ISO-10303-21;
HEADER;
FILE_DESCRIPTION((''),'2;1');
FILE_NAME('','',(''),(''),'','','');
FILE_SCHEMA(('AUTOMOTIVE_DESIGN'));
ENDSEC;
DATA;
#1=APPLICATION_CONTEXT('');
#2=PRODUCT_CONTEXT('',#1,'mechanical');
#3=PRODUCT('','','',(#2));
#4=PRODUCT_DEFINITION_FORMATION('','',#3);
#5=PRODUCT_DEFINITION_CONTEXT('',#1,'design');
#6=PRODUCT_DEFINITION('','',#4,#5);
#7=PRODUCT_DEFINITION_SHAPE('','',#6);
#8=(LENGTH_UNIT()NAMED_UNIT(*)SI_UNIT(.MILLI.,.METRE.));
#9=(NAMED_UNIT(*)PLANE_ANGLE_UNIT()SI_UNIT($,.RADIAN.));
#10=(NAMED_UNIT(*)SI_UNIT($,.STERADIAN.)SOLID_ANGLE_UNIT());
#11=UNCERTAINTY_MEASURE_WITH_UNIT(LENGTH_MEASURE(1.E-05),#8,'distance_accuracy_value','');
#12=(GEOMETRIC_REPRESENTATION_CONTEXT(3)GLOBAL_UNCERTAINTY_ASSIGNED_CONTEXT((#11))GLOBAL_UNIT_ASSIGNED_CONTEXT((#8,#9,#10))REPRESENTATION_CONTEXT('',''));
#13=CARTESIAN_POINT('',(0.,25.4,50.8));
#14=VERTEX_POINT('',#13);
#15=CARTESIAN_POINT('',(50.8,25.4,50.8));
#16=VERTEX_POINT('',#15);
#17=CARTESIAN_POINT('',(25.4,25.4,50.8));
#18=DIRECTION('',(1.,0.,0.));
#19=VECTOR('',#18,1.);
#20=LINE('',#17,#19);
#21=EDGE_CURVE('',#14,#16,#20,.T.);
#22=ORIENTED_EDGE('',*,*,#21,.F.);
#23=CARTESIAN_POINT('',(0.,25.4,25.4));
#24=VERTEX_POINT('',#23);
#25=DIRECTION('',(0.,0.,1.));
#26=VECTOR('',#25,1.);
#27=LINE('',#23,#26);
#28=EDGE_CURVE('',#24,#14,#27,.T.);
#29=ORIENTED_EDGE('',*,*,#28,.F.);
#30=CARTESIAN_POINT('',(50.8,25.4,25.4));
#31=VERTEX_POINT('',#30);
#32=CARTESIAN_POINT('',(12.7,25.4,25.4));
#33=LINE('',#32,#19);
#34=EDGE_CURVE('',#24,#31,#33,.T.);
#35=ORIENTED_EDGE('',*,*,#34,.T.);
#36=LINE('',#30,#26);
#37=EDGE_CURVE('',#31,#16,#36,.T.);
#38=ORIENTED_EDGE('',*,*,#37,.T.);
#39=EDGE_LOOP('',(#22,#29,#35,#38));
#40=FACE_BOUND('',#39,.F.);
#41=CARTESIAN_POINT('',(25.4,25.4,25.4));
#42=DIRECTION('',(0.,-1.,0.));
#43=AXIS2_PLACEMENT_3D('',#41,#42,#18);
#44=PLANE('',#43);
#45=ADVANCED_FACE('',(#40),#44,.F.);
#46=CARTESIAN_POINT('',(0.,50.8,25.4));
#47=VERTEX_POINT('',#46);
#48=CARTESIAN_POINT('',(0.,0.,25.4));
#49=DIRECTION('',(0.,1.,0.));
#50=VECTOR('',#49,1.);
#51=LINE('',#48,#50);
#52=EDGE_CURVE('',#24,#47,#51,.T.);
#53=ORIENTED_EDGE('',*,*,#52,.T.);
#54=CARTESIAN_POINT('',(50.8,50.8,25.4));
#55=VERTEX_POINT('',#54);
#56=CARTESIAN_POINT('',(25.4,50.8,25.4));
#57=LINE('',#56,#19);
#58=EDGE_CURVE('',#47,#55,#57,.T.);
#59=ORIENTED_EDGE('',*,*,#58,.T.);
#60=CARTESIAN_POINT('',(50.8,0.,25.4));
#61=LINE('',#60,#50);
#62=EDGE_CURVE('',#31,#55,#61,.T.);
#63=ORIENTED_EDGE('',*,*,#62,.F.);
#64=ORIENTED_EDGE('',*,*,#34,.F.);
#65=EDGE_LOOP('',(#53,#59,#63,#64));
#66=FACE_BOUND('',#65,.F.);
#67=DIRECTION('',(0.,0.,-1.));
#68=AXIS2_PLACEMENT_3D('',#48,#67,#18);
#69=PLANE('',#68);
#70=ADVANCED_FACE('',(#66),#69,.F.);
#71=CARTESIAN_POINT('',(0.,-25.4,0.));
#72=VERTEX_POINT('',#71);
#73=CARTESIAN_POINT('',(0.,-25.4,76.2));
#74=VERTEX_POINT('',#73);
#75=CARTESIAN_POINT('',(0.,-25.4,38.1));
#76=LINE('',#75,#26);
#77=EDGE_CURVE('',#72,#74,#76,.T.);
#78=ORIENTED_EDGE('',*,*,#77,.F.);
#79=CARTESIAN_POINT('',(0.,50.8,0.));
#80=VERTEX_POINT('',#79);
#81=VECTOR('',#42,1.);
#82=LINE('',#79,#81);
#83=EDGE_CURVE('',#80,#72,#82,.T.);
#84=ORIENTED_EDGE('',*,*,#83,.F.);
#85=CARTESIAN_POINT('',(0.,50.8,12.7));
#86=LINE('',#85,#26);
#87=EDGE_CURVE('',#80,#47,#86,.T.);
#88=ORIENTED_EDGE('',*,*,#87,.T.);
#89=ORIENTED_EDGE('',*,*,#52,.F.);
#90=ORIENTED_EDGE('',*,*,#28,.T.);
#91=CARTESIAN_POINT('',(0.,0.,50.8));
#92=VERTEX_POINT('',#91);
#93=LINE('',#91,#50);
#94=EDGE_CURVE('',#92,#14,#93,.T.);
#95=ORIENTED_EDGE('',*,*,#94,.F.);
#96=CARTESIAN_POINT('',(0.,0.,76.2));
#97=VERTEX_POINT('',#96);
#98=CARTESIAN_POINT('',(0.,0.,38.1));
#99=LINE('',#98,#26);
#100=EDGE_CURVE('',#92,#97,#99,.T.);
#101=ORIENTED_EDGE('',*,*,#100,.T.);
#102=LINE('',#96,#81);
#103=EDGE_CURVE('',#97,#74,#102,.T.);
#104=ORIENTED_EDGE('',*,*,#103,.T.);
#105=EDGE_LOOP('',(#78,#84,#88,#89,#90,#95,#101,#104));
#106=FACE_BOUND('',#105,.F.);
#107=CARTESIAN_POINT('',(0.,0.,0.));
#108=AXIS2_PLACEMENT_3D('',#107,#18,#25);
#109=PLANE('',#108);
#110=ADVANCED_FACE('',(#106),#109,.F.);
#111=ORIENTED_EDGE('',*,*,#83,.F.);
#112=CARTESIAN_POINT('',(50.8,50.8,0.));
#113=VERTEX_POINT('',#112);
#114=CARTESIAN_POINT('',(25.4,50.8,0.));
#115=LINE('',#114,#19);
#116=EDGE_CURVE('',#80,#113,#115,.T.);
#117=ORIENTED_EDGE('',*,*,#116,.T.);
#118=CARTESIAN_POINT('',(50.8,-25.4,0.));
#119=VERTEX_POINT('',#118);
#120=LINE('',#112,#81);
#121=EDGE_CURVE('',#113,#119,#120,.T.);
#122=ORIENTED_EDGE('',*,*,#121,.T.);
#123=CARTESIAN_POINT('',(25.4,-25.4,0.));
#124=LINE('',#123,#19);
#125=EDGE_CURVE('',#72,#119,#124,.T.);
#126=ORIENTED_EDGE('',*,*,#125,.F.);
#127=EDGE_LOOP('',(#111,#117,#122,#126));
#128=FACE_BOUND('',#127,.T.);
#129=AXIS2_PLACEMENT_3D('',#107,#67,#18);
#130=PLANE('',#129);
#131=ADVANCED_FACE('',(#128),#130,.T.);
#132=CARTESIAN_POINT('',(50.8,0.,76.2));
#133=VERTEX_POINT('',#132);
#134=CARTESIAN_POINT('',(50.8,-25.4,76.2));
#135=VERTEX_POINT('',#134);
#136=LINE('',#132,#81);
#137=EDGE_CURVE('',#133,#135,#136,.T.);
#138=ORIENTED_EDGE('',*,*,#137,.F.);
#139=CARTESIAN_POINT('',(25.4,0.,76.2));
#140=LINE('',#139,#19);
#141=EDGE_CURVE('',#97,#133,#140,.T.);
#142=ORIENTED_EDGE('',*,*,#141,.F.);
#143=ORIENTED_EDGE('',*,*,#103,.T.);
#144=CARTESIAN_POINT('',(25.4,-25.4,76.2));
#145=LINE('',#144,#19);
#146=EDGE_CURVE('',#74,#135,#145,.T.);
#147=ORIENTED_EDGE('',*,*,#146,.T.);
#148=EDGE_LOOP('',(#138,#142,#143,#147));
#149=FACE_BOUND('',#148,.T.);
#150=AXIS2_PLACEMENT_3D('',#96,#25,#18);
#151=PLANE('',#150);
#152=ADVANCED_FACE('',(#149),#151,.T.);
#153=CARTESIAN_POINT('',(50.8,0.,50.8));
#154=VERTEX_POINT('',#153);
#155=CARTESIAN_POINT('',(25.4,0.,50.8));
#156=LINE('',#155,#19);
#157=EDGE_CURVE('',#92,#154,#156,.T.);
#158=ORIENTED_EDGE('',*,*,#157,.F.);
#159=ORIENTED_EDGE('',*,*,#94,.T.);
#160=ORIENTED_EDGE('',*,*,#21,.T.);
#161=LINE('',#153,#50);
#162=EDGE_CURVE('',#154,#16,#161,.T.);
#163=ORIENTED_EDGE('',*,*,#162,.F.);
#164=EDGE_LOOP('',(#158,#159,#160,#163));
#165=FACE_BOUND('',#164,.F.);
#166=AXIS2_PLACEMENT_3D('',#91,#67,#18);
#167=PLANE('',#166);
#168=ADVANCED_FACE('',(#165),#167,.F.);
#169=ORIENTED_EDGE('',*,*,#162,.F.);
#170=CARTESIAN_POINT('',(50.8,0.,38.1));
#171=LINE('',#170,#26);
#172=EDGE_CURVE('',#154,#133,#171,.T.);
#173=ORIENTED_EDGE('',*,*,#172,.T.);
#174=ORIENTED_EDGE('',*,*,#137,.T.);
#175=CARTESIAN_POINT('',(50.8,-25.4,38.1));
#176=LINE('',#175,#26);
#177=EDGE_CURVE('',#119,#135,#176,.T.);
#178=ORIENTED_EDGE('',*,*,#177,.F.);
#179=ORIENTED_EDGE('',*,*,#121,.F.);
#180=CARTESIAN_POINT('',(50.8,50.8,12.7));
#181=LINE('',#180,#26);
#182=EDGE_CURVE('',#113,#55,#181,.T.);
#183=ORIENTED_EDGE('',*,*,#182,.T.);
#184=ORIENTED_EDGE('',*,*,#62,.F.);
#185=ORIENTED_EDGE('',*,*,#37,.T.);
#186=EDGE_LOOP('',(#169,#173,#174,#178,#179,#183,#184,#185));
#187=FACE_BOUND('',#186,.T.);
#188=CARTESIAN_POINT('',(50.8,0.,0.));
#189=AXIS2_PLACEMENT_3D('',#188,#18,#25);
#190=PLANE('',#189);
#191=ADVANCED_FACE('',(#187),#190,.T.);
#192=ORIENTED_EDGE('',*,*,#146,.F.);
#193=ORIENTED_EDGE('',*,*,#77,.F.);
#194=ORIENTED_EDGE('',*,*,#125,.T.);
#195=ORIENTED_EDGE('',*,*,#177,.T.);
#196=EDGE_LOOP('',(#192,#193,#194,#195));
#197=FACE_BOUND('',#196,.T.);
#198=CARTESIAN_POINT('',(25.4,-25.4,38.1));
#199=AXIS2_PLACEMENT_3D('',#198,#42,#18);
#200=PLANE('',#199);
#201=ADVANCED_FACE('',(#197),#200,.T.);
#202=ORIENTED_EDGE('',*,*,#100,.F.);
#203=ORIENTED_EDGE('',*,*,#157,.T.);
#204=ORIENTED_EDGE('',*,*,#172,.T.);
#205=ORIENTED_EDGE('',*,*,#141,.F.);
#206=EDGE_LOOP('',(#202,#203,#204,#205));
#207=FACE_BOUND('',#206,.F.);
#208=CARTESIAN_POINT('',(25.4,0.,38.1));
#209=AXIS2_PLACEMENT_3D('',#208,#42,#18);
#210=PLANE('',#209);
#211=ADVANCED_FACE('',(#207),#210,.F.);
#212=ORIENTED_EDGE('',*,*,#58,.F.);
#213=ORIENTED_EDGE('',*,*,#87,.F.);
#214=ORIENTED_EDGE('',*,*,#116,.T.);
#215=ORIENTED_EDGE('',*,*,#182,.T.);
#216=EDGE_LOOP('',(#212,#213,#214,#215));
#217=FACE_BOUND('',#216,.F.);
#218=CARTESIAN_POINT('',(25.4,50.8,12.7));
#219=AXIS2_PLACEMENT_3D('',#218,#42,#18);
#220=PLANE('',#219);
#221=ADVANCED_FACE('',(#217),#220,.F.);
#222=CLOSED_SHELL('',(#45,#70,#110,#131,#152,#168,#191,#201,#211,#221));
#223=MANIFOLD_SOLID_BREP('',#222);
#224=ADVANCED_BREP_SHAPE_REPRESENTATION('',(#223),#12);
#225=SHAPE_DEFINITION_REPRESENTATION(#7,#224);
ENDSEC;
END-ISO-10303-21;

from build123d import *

# Parameters (mm, degrees)
F0_W      = 50.8
F0_H      = 76.2
F1_DEPTH  = 25.4
F2_W      = 50.8
F2_H      = 50.8
F1_FACE_W = 50.8
F1_FACE_H = 76.2
F3_DEPTH  = 25.4
F4_W      = 50.8
F4_H      = 25.4
F5_DEPTH  = 50.8


with BuildPart() as f1:
    # F0 (on Front) → F1 (new body)
    with BuildSketch(Plane.XZ):
        with Locations((25.4, 38.1)):
            Rectangle(F0_W, F0_H)
    extrude(amount=F1_DEPTH)

    # F2 (on Front) + F1_face (on face) → F3 (join)
    with BuildSketch(Plane.XZ):
        with Locations((25.4, 25.4)):
            Rectangle(F2_W, F2_H)
    with BuildSketch(Plane(origin=(25.4, -25.4, 38.1), x_dir=(1, 0, 0), z_dir=(0, -1, 0))):
        Rectangle(F1_FACE_W, F1_FACE_H)
    extrude(amount=-F3_DEPTH)

    # F4 (on Front) → F5 (join)
    with BuildSketch(Plane.XZ):
        with Locations((25.4, 12.7)):
            Rectangle(F4_W, F4_H)
    extrude(amount=-F5_DEPTH)


solid = f1.part
